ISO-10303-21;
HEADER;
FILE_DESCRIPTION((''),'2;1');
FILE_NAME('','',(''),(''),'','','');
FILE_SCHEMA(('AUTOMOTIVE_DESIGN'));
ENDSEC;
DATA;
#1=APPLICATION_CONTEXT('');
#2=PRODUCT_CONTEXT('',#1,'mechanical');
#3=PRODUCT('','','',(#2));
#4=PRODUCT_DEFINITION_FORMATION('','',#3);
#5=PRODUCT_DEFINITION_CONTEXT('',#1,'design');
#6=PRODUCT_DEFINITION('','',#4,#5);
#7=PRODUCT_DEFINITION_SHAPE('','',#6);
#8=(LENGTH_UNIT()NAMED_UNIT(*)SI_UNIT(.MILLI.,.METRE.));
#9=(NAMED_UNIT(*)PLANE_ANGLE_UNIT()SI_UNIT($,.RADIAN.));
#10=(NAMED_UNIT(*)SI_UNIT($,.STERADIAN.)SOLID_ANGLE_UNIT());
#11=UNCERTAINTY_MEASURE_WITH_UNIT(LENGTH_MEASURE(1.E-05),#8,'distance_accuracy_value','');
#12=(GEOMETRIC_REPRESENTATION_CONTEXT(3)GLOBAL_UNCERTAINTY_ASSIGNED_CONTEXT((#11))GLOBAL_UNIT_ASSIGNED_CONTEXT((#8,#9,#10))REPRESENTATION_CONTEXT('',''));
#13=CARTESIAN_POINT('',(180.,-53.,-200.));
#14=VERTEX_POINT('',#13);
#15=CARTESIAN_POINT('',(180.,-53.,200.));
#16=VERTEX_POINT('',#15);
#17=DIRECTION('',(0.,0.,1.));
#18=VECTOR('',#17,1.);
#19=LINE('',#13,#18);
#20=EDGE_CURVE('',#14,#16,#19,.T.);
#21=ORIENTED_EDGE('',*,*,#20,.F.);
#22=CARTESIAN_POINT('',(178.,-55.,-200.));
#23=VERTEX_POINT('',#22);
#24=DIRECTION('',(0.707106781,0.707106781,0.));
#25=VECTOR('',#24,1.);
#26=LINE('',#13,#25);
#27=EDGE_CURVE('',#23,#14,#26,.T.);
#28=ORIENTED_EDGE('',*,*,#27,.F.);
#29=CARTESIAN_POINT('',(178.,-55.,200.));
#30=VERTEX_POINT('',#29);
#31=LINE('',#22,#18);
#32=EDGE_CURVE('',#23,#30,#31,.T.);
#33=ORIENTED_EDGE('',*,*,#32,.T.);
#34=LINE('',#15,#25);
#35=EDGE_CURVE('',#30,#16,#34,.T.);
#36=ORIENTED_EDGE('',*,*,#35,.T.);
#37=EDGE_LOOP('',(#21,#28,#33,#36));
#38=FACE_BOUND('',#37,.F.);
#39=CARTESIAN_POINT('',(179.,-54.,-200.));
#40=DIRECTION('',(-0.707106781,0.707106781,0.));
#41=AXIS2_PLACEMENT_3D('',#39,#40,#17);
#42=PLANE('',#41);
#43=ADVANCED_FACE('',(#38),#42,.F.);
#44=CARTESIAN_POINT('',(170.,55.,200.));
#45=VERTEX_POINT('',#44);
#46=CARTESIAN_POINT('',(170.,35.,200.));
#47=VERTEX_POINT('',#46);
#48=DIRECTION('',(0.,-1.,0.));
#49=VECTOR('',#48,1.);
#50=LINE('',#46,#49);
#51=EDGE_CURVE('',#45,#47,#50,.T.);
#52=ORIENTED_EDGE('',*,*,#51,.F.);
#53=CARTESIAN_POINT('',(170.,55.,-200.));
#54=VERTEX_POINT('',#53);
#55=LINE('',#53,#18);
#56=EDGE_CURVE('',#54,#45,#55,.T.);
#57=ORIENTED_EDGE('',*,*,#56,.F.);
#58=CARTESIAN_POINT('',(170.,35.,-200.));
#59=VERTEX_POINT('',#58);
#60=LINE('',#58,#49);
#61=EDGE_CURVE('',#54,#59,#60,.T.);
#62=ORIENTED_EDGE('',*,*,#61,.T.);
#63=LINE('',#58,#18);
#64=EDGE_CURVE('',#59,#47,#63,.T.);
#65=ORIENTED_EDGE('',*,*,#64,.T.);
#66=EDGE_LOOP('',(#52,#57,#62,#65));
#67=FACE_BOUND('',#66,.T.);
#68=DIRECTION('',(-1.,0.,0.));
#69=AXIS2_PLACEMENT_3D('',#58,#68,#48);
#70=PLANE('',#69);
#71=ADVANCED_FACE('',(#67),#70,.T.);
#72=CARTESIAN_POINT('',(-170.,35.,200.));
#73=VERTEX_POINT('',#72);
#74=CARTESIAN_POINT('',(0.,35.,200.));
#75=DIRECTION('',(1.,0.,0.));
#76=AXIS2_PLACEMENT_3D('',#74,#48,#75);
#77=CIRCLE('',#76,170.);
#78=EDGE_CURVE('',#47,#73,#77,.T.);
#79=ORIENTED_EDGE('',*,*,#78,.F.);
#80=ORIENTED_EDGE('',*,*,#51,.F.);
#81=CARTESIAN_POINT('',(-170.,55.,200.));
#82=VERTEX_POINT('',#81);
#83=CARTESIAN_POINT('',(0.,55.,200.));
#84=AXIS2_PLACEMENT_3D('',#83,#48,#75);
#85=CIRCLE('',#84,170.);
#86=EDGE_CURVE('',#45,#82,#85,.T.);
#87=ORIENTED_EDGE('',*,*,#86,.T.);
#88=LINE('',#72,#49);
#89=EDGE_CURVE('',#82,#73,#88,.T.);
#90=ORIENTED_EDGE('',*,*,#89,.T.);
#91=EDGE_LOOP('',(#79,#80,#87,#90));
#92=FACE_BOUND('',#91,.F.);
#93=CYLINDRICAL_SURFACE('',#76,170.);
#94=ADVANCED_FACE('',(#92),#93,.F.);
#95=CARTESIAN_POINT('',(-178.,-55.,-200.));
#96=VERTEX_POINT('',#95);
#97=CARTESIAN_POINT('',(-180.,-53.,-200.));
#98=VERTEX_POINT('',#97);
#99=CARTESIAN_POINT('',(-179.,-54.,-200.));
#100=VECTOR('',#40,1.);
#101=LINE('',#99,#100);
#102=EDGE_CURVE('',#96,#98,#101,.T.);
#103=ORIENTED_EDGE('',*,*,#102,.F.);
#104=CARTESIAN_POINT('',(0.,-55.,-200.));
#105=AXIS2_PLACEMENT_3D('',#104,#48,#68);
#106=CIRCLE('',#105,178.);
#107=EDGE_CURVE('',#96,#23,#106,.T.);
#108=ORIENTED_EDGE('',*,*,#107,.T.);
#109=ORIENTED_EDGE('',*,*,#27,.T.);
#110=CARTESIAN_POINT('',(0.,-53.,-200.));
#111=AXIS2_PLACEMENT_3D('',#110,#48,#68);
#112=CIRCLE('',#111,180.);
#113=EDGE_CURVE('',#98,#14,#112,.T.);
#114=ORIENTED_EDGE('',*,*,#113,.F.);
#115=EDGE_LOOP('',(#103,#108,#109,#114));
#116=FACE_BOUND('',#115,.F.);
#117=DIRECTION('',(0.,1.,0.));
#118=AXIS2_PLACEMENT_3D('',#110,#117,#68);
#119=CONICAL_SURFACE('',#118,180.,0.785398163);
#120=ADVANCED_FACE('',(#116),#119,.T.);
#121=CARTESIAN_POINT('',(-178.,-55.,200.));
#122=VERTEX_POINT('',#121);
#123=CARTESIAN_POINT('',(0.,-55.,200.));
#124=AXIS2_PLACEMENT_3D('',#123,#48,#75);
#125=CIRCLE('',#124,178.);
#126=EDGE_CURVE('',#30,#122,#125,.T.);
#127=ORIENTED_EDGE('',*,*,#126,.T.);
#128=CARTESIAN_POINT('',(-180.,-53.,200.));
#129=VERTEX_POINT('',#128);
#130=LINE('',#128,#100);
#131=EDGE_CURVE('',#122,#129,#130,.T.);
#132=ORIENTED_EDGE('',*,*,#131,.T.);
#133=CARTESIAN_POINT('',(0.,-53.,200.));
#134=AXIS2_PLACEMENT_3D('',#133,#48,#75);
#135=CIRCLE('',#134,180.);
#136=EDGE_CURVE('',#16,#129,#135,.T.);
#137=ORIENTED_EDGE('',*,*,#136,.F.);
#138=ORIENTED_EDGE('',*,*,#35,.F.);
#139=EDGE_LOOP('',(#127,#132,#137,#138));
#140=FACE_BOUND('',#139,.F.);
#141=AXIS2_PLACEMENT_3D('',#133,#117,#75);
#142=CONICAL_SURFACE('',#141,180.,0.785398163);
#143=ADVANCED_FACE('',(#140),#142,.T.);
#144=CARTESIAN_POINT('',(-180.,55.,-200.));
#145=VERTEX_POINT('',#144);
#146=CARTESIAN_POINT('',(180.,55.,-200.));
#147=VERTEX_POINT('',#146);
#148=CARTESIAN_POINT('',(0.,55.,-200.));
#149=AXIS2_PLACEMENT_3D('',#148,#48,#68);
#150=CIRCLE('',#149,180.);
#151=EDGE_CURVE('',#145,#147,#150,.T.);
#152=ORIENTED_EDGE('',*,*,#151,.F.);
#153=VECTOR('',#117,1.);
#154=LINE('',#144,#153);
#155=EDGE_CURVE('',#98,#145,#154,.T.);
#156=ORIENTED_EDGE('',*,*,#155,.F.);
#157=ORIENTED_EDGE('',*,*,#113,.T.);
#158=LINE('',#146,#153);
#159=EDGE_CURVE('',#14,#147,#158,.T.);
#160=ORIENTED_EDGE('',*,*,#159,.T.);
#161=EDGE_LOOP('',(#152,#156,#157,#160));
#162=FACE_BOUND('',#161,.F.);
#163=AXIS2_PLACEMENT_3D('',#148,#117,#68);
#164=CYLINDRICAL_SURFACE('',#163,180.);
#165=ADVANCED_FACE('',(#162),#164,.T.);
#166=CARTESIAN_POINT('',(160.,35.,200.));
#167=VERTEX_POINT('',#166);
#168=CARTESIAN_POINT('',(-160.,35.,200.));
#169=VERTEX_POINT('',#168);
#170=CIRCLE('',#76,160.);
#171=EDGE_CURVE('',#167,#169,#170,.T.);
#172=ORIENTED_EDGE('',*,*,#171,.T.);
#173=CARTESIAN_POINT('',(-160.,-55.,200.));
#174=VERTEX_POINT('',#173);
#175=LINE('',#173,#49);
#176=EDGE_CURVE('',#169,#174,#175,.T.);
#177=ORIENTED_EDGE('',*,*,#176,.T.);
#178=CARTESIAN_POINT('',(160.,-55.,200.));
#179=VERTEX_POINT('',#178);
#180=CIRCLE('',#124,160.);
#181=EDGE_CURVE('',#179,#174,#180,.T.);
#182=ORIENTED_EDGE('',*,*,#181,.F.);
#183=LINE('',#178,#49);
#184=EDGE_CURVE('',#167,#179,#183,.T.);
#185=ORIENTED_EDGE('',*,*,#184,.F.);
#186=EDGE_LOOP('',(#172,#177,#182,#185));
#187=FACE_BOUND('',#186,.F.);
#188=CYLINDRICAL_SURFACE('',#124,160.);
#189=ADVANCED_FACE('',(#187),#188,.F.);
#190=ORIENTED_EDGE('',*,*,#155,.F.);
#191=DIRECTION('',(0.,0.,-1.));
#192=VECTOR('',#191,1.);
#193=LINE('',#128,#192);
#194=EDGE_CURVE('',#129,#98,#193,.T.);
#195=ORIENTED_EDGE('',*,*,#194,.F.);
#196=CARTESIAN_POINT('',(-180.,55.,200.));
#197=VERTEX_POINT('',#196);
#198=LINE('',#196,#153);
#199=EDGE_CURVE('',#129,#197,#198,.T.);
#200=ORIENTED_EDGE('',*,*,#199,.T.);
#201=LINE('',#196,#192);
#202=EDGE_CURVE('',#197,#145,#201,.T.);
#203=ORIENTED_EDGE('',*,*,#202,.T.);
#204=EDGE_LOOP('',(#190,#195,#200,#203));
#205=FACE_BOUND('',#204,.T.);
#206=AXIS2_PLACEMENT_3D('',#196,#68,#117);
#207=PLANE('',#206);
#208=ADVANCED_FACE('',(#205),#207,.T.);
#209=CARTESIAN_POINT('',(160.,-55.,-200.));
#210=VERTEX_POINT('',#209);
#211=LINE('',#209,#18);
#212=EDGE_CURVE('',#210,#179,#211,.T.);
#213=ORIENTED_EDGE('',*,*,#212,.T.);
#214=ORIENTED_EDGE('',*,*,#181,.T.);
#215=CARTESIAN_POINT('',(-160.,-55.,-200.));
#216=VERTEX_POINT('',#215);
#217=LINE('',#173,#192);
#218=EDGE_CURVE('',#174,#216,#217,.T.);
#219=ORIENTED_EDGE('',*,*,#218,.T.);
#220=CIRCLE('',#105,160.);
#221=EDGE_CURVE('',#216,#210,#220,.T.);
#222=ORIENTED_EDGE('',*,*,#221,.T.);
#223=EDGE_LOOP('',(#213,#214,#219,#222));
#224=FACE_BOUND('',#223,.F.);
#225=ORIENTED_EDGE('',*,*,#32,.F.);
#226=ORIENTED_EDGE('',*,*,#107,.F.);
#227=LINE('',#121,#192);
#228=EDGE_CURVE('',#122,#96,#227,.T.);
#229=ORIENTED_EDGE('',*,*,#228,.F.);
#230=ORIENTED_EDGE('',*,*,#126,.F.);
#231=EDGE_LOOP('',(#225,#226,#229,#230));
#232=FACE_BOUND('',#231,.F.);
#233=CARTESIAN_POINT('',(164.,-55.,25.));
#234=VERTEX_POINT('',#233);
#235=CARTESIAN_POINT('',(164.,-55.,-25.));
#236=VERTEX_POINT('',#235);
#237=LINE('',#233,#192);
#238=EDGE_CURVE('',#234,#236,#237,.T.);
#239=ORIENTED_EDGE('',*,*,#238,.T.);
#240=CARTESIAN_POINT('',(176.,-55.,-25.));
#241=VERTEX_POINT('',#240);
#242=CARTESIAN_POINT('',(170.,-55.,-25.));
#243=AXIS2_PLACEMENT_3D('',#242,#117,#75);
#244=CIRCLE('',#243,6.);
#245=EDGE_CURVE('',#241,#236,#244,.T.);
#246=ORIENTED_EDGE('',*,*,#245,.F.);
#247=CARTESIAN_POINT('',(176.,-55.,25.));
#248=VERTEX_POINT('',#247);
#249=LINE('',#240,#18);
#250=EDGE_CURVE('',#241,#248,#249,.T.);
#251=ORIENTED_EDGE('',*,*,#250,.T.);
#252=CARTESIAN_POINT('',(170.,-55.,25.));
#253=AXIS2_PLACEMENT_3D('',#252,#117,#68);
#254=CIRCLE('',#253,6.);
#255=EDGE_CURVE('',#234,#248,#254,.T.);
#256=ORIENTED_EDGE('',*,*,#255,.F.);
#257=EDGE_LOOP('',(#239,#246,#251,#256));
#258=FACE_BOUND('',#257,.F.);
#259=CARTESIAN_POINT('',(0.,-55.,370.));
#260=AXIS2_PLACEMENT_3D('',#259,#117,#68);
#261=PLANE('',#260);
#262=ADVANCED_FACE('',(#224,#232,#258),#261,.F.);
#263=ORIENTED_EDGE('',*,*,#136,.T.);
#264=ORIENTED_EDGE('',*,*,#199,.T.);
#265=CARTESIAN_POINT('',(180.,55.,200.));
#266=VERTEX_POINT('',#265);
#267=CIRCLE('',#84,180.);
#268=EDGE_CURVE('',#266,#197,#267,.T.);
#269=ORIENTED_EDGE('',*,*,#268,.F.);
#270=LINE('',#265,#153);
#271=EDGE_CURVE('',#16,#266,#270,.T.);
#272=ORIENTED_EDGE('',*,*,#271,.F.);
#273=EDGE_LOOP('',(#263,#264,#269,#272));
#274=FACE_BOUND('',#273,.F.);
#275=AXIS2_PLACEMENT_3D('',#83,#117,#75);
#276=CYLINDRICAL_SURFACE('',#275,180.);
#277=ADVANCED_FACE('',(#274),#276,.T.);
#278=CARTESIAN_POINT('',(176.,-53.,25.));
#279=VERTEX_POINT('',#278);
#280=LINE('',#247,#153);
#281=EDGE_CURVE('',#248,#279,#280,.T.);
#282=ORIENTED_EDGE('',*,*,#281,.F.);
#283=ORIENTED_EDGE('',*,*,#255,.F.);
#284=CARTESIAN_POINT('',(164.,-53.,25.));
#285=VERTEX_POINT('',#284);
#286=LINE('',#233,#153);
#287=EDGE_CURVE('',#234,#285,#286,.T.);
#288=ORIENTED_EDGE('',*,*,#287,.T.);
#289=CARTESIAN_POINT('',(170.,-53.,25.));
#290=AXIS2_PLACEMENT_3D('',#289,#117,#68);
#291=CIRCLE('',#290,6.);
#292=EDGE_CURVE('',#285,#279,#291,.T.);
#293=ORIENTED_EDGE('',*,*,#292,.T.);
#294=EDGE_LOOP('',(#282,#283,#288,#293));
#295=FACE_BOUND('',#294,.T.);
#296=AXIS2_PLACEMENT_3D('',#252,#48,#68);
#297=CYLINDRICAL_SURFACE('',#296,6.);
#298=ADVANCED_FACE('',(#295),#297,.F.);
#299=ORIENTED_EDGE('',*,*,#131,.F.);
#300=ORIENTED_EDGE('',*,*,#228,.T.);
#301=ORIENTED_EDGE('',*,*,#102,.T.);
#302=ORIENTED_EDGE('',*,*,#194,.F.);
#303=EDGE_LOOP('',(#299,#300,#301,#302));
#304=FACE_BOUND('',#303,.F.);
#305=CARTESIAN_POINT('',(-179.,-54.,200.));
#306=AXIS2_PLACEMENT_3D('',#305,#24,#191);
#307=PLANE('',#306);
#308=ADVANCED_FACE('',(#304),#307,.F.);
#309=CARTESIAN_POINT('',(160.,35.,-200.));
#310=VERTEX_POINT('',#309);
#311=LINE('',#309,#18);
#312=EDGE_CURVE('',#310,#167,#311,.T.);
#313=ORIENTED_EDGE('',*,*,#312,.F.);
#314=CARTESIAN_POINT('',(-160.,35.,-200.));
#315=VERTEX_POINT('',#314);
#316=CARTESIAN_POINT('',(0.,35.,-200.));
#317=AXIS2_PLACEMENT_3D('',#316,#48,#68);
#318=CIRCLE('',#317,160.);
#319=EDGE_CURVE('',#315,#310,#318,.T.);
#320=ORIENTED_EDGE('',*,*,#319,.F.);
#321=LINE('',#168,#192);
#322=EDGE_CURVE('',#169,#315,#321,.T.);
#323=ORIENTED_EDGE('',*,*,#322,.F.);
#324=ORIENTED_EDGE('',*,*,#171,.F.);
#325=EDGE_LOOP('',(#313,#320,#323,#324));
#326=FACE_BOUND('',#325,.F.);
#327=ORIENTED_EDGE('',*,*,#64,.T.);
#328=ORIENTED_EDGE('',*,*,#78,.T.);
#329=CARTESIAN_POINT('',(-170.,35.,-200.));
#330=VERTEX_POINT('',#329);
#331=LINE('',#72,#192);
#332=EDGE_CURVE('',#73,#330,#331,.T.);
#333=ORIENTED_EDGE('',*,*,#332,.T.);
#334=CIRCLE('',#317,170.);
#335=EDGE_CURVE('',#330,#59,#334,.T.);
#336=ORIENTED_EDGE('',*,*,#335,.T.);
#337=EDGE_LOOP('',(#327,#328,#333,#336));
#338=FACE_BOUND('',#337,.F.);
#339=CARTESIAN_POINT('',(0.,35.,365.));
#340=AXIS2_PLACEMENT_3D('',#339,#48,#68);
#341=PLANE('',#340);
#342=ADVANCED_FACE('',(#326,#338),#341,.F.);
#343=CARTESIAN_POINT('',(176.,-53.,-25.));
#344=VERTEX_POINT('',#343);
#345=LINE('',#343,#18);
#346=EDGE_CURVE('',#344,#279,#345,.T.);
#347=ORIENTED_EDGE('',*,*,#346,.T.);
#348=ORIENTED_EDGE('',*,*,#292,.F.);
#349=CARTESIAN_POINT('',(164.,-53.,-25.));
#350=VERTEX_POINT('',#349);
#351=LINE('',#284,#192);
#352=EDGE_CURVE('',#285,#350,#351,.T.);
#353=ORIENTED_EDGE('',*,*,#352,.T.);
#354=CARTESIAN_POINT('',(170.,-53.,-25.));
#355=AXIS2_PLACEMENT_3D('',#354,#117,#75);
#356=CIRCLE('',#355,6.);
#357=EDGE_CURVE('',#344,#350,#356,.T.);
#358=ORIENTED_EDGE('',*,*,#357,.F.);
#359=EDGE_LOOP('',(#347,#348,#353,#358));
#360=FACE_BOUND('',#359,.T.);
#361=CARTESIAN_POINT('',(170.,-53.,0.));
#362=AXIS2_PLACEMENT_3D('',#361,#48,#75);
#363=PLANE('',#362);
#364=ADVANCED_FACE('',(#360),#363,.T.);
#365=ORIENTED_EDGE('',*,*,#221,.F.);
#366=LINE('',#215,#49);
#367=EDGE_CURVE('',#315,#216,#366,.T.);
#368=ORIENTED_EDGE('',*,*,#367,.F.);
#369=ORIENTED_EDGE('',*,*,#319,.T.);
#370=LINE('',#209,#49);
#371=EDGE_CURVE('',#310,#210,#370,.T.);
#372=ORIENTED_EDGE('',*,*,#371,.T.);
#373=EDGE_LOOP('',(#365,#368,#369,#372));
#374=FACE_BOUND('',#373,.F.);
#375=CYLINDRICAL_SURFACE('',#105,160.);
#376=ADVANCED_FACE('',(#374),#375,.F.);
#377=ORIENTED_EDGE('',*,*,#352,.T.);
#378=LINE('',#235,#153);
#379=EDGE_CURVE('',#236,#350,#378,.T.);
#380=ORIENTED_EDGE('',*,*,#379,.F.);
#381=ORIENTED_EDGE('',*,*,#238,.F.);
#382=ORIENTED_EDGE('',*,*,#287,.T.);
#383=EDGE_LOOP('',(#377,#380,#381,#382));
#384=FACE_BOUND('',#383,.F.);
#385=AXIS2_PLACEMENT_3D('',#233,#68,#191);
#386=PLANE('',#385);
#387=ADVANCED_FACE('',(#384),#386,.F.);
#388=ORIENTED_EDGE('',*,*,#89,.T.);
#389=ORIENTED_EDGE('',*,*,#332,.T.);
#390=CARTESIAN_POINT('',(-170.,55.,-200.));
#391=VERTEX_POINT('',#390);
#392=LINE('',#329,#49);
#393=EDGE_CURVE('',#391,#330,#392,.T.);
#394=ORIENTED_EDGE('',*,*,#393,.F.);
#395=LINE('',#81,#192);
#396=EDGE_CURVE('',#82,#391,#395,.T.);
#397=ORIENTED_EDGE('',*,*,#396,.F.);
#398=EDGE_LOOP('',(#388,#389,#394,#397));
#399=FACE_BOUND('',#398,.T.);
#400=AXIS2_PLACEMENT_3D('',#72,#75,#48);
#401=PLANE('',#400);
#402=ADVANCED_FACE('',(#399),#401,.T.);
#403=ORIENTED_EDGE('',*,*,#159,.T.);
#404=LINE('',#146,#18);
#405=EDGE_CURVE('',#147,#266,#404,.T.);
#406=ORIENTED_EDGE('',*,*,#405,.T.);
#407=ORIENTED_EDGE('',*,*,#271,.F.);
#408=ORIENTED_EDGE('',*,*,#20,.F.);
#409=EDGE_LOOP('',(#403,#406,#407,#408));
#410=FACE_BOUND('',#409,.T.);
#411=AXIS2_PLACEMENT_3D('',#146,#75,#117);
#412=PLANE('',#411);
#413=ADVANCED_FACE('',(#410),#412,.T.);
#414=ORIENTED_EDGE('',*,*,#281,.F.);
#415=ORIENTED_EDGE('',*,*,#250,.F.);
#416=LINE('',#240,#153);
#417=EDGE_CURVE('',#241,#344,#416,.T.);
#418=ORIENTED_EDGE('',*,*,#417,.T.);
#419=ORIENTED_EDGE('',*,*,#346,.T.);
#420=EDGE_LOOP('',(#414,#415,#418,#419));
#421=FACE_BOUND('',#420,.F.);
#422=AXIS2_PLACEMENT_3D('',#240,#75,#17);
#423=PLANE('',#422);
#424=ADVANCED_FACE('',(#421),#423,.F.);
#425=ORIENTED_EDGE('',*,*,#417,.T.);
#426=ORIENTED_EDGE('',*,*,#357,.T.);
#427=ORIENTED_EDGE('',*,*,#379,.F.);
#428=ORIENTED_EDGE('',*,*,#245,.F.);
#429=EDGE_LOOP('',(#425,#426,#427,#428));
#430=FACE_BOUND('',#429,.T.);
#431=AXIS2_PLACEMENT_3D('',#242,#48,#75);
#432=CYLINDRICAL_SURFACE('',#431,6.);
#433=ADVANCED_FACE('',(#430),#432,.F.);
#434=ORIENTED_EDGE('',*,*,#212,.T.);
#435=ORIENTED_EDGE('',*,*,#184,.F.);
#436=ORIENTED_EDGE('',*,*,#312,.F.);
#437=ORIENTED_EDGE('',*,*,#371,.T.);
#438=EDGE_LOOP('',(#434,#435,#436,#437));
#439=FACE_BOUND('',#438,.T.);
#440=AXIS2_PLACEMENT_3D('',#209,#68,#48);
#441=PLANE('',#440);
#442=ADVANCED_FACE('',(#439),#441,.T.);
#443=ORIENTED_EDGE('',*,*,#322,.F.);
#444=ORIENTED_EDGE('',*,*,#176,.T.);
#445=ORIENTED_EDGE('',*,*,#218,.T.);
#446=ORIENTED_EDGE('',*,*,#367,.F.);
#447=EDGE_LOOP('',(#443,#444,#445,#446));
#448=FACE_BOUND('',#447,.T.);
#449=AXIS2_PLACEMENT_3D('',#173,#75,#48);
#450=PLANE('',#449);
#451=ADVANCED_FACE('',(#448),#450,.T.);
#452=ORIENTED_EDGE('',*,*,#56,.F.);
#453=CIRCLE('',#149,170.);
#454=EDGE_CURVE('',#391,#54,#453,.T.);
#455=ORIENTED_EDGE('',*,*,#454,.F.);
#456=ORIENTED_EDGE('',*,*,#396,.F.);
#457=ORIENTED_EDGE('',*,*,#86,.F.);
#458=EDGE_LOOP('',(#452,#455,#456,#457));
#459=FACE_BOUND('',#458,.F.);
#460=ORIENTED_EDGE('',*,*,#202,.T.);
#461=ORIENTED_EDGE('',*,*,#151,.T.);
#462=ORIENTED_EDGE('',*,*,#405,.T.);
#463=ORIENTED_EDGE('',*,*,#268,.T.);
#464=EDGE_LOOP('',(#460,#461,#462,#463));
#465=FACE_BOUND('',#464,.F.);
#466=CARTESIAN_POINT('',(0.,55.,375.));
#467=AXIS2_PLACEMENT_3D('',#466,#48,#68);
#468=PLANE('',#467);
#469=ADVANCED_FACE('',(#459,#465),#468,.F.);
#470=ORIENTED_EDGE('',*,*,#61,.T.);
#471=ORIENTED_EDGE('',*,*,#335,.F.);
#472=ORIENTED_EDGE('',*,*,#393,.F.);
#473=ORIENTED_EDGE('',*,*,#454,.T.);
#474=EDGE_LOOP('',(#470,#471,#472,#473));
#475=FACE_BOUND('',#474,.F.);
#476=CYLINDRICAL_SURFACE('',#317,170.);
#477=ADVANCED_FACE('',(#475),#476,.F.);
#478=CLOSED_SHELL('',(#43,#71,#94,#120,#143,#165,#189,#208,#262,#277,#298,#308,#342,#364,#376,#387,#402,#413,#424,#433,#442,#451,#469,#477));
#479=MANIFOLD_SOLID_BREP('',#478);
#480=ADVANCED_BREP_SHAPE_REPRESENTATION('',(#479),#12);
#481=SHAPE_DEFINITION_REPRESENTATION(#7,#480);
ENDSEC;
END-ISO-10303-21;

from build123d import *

# Parameters (mm, degrees)
EXTRUDE023_DEPTH = 2
CHAMFER001_SIZE  = 2


with BuildPart() as doorlockmountplatecutout:
    # Sketch029 → Extrude023 (new body)
    with BuildSketch(Plane(origin=(0, 0, 0), x_dir=(-1, 0, 0), z_dir=(0, 1, 0))):
        with BuildLine():
            Line((6, 25), (6, -25))
            ThreePointArc((-6, -25), (0, -31), (6, -25))
            Line((-6, -25), (-6, 25))
            ThreePointArc((6, 25), (0, 31), (-6, 25))
        make_face()
    extrude(amount=EXTRUDE023_DEPTH)


with BuildPart() as doorlockmountplatecutout_1:
    # Extrude023 placement: moved
    add(doorlockmountplatecutout.part.moved(Location((170, -55, 0))))


with BuildPart() as mainbody:
    # Sweep: sweep along a path in Sketch001
    with BuildLine(Plane.XZ) as sweep_path:
        ThreePointArc((180, 200), (0, 380), (-180, 200))
        Line((-180, 200), (-180, -200))
        ThreePointArc((-180, -200), (0, -380), (180, -200))
        Line((180, -200), (180, 200))
    # Sketch → Sweep (sweep)
    with BuildSketch(Plane.XY):
        Polygon((160, -55), (160, 35), (170, 35), (170, 55), (180, 55), (180, -55), align=None)
    sweep(path=sweep_path.line)

    # Cut001: cut DoorLockMountPlateCutout
    add(doorlockmountplatecutout_1.part, mode=Mode.SUBTRACT)

    # Chamfer001
    chamfer001_edges = [mainbody.edges().sort_by_distance(p)[0] for p in [
        (0, -55, 380),
        (180, -55, 0),
        (-180, -55, 0),
        (0, -55, -380),
    ]]
    chamfer(chamfer001_edges, length=CHAMFER001_SIZE)


solid = mainbody.part
